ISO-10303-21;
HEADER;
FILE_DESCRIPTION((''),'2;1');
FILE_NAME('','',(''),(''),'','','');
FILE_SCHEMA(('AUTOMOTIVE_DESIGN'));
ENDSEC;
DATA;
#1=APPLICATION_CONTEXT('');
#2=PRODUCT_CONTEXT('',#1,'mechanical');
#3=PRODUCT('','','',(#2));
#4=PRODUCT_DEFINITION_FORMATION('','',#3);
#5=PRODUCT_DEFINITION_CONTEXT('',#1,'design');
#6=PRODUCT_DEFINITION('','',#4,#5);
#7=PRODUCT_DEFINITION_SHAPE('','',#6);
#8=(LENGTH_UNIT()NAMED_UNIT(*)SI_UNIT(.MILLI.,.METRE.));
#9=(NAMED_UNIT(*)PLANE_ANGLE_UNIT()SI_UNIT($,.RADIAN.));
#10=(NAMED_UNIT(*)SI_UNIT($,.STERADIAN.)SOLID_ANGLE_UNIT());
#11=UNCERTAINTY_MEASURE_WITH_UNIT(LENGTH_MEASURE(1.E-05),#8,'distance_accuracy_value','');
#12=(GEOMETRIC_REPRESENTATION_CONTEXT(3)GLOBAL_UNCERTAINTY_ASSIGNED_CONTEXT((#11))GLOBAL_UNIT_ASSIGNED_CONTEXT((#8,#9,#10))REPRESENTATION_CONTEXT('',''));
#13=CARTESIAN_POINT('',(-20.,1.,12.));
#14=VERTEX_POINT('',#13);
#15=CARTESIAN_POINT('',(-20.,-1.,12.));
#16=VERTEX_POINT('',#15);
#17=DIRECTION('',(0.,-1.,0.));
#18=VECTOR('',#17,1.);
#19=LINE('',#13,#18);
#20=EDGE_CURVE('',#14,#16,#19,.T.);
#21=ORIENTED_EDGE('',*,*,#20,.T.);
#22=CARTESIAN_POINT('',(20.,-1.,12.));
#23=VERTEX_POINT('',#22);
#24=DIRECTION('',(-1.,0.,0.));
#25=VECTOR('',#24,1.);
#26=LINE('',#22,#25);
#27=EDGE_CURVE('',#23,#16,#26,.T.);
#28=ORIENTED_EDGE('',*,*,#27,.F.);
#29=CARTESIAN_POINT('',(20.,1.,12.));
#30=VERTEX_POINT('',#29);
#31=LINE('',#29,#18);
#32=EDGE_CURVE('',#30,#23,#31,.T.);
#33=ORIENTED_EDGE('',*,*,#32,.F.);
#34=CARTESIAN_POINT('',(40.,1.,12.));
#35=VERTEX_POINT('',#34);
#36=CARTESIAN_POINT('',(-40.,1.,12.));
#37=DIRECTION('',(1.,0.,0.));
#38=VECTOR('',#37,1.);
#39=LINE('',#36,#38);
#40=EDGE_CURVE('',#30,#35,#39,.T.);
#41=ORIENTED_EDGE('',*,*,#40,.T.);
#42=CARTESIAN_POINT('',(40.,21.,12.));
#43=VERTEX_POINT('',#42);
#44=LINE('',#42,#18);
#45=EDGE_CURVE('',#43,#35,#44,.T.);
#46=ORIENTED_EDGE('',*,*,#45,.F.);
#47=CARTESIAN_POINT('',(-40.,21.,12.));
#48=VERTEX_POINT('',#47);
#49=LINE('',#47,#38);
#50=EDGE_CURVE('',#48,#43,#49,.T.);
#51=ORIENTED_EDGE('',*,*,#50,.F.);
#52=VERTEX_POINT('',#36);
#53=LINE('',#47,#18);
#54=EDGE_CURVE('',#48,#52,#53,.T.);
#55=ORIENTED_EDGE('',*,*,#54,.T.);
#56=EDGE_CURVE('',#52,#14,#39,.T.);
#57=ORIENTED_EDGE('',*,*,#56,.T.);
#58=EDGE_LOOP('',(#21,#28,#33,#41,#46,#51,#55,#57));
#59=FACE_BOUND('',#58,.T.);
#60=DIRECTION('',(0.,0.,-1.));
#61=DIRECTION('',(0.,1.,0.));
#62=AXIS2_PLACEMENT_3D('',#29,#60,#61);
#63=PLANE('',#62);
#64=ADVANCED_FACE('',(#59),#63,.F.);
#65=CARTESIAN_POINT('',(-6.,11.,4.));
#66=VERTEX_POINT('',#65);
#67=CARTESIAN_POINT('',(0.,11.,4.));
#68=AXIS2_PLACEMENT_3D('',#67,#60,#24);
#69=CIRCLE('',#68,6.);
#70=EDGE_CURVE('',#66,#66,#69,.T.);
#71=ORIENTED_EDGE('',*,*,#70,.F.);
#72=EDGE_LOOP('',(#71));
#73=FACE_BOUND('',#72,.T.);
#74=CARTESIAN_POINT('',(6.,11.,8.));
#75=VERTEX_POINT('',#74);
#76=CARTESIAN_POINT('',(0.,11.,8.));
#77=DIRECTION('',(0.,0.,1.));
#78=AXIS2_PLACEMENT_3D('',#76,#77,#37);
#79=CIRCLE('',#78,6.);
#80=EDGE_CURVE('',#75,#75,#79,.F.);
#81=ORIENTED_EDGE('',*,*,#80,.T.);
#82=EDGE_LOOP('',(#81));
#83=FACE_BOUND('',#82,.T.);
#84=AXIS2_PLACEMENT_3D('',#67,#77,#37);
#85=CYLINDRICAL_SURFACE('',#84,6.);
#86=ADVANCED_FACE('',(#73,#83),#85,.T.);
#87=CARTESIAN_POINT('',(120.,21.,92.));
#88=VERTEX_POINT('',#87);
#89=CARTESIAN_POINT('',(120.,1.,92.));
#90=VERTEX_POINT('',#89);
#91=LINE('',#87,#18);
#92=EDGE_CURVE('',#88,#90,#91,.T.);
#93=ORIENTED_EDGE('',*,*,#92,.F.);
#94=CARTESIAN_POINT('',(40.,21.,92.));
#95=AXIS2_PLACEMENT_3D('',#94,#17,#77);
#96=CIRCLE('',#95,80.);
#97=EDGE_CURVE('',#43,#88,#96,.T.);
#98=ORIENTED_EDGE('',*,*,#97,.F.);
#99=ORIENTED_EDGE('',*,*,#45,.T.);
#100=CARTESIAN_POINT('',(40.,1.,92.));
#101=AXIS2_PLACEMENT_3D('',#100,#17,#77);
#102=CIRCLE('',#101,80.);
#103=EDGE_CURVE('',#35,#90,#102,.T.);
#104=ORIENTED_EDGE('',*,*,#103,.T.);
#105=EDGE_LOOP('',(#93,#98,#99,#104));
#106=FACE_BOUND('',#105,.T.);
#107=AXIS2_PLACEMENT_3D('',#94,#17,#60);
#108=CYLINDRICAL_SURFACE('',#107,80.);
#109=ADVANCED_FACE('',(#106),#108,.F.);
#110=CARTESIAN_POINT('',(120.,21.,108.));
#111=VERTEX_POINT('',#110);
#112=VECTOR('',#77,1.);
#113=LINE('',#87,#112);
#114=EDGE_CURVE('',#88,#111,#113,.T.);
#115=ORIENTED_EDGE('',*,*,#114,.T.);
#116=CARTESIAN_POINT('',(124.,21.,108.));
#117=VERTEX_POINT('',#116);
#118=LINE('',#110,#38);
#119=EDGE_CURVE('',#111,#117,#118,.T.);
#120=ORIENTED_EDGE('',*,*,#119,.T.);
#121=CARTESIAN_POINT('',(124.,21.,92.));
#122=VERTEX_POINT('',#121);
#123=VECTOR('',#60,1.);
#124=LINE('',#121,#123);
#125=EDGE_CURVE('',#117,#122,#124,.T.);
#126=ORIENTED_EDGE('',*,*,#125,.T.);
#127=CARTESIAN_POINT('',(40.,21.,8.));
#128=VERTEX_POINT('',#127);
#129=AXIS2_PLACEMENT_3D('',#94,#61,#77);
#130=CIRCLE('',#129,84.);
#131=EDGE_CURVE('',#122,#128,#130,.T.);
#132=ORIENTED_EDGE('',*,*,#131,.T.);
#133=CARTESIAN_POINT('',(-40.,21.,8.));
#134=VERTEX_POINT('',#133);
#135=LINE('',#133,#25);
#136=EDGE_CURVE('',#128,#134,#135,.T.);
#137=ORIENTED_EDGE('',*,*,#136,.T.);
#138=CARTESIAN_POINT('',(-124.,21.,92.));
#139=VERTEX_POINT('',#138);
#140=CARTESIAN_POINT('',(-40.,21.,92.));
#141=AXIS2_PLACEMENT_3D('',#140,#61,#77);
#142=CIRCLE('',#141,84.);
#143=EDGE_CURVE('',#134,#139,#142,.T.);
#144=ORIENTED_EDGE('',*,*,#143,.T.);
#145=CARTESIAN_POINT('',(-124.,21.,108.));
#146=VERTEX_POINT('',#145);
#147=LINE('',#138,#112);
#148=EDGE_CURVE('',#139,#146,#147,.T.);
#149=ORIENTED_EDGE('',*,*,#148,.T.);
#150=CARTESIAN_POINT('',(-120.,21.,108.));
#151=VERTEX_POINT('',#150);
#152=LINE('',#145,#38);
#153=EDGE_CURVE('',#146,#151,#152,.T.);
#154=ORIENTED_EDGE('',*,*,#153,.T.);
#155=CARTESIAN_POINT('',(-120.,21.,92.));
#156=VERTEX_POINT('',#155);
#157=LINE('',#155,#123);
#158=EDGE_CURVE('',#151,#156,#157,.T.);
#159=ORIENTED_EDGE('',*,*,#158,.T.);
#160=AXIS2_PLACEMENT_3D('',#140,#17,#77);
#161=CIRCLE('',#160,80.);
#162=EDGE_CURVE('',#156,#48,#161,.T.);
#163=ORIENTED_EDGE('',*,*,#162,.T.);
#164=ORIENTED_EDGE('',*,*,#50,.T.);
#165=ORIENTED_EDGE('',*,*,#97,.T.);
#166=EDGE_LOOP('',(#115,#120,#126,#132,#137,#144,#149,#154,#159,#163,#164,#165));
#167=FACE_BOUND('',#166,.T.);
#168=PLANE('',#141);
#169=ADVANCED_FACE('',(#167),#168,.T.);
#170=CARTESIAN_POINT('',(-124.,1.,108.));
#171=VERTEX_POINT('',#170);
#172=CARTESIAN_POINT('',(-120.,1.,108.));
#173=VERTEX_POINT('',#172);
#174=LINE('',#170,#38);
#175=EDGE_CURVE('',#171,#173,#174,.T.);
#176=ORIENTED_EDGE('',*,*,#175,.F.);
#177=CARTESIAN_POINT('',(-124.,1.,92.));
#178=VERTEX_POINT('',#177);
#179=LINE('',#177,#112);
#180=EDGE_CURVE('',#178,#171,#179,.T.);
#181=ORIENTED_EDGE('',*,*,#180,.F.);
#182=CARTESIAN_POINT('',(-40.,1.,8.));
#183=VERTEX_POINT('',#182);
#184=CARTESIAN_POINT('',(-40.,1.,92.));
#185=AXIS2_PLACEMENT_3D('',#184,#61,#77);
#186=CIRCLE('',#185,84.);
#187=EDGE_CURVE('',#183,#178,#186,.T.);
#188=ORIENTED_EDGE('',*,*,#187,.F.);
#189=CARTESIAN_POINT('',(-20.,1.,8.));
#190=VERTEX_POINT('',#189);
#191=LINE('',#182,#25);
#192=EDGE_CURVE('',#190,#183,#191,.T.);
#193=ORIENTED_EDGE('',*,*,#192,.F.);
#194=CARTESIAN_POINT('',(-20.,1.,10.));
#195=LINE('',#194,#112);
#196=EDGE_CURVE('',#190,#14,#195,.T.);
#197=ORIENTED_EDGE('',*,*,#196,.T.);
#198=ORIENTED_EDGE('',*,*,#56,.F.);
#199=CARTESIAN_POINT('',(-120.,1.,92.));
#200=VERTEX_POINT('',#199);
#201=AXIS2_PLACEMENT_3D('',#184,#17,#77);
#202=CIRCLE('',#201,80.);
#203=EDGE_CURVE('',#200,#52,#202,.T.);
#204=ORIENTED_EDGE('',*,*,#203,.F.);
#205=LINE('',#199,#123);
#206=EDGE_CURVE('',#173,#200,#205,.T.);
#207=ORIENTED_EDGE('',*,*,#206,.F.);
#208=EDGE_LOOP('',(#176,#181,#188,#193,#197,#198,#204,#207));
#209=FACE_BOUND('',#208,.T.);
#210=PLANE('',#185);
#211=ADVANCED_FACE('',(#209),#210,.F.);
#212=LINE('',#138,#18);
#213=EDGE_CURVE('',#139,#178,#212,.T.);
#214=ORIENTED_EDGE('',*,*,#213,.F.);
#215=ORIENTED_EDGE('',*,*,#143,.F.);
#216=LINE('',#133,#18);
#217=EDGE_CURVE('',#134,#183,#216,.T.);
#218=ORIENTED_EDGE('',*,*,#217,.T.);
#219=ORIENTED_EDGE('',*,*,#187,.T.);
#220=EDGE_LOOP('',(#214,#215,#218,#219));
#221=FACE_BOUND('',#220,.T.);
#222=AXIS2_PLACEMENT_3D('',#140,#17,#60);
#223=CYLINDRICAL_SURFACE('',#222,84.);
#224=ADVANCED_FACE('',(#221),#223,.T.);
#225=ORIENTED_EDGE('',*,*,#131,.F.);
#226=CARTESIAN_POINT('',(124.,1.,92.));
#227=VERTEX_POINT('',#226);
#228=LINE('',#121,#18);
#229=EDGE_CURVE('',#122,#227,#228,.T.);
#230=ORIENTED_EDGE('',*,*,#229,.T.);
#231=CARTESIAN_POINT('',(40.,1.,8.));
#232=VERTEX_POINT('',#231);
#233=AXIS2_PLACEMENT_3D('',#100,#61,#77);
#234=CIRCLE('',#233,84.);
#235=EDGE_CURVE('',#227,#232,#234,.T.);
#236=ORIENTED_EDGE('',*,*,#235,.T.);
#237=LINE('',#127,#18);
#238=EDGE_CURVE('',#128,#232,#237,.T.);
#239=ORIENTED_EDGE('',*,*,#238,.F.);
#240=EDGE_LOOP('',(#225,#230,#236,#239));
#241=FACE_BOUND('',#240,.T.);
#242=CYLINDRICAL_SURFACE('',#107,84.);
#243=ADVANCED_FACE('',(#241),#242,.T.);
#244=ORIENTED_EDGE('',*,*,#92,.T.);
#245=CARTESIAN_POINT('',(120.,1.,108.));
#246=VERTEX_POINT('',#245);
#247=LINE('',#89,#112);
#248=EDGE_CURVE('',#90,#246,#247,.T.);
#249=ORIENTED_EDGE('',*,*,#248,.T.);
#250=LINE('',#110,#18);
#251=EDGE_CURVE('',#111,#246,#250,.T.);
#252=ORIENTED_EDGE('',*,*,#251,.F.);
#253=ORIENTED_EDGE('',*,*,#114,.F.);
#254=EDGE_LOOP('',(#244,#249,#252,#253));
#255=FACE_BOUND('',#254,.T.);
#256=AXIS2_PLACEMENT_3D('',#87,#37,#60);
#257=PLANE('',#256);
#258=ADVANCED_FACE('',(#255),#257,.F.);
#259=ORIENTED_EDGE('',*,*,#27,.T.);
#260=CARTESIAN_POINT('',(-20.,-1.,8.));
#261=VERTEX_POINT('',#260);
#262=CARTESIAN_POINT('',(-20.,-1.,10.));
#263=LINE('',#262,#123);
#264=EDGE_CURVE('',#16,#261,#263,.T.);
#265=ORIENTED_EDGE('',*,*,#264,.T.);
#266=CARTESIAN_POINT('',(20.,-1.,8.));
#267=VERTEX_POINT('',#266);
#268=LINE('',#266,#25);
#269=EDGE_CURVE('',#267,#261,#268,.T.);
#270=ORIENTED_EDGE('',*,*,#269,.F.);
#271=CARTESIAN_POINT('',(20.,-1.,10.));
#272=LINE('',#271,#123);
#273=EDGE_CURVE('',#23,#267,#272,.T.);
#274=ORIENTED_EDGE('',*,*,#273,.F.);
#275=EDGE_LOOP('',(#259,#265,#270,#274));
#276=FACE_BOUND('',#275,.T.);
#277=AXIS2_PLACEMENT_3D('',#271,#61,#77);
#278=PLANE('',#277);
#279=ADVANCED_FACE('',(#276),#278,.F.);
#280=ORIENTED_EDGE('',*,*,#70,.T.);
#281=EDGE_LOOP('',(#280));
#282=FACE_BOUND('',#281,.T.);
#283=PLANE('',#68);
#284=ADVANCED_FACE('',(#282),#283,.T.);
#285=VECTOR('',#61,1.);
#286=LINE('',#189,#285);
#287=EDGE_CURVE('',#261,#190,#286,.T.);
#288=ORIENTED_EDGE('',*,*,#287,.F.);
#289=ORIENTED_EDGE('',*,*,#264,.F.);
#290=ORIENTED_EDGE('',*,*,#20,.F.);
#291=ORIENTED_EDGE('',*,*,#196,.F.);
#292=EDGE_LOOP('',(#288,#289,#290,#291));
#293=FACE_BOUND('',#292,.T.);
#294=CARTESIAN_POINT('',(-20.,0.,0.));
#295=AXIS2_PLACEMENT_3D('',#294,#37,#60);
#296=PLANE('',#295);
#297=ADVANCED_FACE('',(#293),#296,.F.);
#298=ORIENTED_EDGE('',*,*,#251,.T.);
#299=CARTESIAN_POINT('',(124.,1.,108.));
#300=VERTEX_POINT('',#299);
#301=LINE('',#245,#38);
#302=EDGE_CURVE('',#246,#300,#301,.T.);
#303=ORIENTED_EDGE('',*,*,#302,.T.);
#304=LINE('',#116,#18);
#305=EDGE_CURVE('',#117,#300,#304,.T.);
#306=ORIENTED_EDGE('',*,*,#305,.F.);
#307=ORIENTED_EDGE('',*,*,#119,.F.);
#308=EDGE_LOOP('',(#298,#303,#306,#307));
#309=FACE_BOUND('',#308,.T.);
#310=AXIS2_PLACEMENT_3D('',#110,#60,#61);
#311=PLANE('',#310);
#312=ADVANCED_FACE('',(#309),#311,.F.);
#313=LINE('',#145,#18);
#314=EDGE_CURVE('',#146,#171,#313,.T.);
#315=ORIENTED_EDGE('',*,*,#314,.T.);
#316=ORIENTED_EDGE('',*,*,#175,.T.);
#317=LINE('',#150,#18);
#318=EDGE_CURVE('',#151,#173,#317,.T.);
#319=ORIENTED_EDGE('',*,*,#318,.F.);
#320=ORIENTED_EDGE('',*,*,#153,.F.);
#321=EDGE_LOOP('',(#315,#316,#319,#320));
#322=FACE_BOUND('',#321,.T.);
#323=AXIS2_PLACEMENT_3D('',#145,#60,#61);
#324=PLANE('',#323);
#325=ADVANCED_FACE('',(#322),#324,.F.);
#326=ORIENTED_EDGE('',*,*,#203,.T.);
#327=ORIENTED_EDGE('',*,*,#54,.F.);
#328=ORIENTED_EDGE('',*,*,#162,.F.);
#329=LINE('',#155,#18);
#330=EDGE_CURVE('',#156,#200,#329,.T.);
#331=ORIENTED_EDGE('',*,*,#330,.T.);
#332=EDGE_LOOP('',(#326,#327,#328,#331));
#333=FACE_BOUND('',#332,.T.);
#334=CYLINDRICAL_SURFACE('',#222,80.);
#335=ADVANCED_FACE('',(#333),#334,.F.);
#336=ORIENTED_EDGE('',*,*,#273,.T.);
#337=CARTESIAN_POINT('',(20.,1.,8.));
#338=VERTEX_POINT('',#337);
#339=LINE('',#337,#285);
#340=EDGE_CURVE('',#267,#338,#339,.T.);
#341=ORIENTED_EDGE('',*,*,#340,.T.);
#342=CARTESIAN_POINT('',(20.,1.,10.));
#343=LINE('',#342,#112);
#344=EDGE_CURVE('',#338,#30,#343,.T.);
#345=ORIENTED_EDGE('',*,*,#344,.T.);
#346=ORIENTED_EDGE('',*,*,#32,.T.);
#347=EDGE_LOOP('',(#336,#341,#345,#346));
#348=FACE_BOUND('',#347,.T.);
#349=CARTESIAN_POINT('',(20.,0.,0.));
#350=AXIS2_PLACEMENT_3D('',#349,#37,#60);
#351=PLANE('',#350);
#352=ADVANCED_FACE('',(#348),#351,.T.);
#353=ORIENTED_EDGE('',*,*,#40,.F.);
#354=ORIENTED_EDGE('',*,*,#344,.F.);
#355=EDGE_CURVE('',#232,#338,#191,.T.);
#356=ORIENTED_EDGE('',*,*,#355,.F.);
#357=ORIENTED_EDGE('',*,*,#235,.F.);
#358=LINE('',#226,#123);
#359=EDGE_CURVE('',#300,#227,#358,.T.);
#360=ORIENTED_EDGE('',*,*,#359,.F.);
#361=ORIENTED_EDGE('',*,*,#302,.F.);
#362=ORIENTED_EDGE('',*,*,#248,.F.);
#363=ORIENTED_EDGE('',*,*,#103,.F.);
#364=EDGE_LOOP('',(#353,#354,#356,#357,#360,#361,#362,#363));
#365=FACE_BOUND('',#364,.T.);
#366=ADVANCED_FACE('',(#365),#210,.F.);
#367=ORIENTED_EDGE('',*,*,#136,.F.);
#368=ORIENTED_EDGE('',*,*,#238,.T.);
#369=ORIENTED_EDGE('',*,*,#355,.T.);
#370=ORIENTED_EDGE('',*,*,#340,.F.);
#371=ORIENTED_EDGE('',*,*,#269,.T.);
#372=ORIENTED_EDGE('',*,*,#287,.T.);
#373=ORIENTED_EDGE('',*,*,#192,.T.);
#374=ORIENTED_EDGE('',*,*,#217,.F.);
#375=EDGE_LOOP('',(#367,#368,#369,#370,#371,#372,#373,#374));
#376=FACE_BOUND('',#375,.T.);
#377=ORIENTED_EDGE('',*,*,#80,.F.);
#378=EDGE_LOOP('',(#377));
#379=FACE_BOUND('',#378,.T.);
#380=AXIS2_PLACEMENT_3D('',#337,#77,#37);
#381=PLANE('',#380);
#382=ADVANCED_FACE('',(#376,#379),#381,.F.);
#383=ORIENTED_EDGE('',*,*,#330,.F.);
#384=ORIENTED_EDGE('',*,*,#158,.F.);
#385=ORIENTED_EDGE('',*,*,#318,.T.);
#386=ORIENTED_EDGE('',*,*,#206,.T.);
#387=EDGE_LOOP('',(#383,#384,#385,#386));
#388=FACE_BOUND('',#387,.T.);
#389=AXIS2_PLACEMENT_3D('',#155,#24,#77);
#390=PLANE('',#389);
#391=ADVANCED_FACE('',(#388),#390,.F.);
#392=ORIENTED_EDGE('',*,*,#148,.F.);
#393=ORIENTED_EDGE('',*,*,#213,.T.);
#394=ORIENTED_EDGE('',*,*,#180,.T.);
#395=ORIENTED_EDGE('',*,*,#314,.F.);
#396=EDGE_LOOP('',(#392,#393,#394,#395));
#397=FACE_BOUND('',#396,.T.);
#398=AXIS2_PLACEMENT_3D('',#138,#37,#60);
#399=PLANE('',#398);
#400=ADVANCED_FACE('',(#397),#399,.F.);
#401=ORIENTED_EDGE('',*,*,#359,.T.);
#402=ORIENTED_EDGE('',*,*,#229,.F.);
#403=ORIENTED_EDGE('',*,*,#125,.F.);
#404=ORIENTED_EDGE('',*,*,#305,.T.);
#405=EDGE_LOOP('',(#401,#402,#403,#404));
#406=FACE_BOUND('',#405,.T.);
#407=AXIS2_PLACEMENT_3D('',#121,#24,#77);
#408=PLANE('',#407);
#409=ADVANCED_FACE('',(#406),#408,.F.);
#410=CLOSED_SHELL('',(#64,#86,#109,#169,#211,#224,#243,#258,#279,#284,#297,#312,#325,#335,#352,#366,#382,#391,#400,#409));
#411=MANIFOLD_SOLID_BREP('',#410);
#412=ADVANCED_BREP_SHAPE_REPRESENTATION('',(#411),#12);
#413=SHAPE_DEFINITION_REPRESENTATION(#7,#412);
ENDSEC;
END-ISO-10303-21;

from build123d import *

# Parameters (mm, degrees)
EXTRUDE_1_DEPTH = 20
EXTRUDE_4_DEPTH = 20
SKETCH_10_R     = 6
EXTRUDE_5_DEPTH = 4


with BuildPart() as part:
    # 草图2 → 凸台-拉伸1 (new body, symmetric)
    with BuildSketch(Plane(origin=(0, 0, 0), x_dir=(0, 0, -1), z_dir=(1, 0, 0))):
        Polygon((-10, 1), (-8, 1), (-8, -1), (-10, -1), (-12, -1), (-12, 1), align=None)
    extrude(amount=EXTRUDE_1_DEPTH, both=True)

    # 草图9 → 凸台-拉伸4 (add)
    with BuildSketch(Plane(origin=(0, 1, 0), x_dir=(1, 0, 0), z_dir=(0, 1, 0))):
        with BuildLine():
            Line((-40, -8), (40, -8))
            ThreePointArc((40, -8), (99.39696962, -32.60303038), (124, -92))
            Line((124, -92), (124, -108))
            Line((124, -108), (120, -108))
            Line((120, -108), (120, -92))
            ThreePointArc((120, -92), (96.568542495, -35.431457505), (40, -12))
            Line((40, -12), (-40, -12))
            ThreePointArc((-40, -12), (-96.568542495, -35.431457505), (-120, -92))
            Line((-120, -92), (-120, -108))
            Line((-120, -108), (-124, -108))
            Line((-124, -108), (-124, -92))
            ThreePointArc((-124, -92), (-99.39696962, -32.60303038), (-40, -8))
        make_face()
    extrude(amount=EXTRUDE_4_DEPTH)

    # 草图10 → 凸台-拉伸5 (add)
    with BuildSketch(Plane(origin=(0, 0, 8), x_dir=(-1, 0, 0), z_dir=(0, 0, -1))):
        with Locations((0, 11)):
            Circle(SKETCH_10_R)
    extrude(amount=EXTRUDE_5_DEPTH)


solid = part.part
